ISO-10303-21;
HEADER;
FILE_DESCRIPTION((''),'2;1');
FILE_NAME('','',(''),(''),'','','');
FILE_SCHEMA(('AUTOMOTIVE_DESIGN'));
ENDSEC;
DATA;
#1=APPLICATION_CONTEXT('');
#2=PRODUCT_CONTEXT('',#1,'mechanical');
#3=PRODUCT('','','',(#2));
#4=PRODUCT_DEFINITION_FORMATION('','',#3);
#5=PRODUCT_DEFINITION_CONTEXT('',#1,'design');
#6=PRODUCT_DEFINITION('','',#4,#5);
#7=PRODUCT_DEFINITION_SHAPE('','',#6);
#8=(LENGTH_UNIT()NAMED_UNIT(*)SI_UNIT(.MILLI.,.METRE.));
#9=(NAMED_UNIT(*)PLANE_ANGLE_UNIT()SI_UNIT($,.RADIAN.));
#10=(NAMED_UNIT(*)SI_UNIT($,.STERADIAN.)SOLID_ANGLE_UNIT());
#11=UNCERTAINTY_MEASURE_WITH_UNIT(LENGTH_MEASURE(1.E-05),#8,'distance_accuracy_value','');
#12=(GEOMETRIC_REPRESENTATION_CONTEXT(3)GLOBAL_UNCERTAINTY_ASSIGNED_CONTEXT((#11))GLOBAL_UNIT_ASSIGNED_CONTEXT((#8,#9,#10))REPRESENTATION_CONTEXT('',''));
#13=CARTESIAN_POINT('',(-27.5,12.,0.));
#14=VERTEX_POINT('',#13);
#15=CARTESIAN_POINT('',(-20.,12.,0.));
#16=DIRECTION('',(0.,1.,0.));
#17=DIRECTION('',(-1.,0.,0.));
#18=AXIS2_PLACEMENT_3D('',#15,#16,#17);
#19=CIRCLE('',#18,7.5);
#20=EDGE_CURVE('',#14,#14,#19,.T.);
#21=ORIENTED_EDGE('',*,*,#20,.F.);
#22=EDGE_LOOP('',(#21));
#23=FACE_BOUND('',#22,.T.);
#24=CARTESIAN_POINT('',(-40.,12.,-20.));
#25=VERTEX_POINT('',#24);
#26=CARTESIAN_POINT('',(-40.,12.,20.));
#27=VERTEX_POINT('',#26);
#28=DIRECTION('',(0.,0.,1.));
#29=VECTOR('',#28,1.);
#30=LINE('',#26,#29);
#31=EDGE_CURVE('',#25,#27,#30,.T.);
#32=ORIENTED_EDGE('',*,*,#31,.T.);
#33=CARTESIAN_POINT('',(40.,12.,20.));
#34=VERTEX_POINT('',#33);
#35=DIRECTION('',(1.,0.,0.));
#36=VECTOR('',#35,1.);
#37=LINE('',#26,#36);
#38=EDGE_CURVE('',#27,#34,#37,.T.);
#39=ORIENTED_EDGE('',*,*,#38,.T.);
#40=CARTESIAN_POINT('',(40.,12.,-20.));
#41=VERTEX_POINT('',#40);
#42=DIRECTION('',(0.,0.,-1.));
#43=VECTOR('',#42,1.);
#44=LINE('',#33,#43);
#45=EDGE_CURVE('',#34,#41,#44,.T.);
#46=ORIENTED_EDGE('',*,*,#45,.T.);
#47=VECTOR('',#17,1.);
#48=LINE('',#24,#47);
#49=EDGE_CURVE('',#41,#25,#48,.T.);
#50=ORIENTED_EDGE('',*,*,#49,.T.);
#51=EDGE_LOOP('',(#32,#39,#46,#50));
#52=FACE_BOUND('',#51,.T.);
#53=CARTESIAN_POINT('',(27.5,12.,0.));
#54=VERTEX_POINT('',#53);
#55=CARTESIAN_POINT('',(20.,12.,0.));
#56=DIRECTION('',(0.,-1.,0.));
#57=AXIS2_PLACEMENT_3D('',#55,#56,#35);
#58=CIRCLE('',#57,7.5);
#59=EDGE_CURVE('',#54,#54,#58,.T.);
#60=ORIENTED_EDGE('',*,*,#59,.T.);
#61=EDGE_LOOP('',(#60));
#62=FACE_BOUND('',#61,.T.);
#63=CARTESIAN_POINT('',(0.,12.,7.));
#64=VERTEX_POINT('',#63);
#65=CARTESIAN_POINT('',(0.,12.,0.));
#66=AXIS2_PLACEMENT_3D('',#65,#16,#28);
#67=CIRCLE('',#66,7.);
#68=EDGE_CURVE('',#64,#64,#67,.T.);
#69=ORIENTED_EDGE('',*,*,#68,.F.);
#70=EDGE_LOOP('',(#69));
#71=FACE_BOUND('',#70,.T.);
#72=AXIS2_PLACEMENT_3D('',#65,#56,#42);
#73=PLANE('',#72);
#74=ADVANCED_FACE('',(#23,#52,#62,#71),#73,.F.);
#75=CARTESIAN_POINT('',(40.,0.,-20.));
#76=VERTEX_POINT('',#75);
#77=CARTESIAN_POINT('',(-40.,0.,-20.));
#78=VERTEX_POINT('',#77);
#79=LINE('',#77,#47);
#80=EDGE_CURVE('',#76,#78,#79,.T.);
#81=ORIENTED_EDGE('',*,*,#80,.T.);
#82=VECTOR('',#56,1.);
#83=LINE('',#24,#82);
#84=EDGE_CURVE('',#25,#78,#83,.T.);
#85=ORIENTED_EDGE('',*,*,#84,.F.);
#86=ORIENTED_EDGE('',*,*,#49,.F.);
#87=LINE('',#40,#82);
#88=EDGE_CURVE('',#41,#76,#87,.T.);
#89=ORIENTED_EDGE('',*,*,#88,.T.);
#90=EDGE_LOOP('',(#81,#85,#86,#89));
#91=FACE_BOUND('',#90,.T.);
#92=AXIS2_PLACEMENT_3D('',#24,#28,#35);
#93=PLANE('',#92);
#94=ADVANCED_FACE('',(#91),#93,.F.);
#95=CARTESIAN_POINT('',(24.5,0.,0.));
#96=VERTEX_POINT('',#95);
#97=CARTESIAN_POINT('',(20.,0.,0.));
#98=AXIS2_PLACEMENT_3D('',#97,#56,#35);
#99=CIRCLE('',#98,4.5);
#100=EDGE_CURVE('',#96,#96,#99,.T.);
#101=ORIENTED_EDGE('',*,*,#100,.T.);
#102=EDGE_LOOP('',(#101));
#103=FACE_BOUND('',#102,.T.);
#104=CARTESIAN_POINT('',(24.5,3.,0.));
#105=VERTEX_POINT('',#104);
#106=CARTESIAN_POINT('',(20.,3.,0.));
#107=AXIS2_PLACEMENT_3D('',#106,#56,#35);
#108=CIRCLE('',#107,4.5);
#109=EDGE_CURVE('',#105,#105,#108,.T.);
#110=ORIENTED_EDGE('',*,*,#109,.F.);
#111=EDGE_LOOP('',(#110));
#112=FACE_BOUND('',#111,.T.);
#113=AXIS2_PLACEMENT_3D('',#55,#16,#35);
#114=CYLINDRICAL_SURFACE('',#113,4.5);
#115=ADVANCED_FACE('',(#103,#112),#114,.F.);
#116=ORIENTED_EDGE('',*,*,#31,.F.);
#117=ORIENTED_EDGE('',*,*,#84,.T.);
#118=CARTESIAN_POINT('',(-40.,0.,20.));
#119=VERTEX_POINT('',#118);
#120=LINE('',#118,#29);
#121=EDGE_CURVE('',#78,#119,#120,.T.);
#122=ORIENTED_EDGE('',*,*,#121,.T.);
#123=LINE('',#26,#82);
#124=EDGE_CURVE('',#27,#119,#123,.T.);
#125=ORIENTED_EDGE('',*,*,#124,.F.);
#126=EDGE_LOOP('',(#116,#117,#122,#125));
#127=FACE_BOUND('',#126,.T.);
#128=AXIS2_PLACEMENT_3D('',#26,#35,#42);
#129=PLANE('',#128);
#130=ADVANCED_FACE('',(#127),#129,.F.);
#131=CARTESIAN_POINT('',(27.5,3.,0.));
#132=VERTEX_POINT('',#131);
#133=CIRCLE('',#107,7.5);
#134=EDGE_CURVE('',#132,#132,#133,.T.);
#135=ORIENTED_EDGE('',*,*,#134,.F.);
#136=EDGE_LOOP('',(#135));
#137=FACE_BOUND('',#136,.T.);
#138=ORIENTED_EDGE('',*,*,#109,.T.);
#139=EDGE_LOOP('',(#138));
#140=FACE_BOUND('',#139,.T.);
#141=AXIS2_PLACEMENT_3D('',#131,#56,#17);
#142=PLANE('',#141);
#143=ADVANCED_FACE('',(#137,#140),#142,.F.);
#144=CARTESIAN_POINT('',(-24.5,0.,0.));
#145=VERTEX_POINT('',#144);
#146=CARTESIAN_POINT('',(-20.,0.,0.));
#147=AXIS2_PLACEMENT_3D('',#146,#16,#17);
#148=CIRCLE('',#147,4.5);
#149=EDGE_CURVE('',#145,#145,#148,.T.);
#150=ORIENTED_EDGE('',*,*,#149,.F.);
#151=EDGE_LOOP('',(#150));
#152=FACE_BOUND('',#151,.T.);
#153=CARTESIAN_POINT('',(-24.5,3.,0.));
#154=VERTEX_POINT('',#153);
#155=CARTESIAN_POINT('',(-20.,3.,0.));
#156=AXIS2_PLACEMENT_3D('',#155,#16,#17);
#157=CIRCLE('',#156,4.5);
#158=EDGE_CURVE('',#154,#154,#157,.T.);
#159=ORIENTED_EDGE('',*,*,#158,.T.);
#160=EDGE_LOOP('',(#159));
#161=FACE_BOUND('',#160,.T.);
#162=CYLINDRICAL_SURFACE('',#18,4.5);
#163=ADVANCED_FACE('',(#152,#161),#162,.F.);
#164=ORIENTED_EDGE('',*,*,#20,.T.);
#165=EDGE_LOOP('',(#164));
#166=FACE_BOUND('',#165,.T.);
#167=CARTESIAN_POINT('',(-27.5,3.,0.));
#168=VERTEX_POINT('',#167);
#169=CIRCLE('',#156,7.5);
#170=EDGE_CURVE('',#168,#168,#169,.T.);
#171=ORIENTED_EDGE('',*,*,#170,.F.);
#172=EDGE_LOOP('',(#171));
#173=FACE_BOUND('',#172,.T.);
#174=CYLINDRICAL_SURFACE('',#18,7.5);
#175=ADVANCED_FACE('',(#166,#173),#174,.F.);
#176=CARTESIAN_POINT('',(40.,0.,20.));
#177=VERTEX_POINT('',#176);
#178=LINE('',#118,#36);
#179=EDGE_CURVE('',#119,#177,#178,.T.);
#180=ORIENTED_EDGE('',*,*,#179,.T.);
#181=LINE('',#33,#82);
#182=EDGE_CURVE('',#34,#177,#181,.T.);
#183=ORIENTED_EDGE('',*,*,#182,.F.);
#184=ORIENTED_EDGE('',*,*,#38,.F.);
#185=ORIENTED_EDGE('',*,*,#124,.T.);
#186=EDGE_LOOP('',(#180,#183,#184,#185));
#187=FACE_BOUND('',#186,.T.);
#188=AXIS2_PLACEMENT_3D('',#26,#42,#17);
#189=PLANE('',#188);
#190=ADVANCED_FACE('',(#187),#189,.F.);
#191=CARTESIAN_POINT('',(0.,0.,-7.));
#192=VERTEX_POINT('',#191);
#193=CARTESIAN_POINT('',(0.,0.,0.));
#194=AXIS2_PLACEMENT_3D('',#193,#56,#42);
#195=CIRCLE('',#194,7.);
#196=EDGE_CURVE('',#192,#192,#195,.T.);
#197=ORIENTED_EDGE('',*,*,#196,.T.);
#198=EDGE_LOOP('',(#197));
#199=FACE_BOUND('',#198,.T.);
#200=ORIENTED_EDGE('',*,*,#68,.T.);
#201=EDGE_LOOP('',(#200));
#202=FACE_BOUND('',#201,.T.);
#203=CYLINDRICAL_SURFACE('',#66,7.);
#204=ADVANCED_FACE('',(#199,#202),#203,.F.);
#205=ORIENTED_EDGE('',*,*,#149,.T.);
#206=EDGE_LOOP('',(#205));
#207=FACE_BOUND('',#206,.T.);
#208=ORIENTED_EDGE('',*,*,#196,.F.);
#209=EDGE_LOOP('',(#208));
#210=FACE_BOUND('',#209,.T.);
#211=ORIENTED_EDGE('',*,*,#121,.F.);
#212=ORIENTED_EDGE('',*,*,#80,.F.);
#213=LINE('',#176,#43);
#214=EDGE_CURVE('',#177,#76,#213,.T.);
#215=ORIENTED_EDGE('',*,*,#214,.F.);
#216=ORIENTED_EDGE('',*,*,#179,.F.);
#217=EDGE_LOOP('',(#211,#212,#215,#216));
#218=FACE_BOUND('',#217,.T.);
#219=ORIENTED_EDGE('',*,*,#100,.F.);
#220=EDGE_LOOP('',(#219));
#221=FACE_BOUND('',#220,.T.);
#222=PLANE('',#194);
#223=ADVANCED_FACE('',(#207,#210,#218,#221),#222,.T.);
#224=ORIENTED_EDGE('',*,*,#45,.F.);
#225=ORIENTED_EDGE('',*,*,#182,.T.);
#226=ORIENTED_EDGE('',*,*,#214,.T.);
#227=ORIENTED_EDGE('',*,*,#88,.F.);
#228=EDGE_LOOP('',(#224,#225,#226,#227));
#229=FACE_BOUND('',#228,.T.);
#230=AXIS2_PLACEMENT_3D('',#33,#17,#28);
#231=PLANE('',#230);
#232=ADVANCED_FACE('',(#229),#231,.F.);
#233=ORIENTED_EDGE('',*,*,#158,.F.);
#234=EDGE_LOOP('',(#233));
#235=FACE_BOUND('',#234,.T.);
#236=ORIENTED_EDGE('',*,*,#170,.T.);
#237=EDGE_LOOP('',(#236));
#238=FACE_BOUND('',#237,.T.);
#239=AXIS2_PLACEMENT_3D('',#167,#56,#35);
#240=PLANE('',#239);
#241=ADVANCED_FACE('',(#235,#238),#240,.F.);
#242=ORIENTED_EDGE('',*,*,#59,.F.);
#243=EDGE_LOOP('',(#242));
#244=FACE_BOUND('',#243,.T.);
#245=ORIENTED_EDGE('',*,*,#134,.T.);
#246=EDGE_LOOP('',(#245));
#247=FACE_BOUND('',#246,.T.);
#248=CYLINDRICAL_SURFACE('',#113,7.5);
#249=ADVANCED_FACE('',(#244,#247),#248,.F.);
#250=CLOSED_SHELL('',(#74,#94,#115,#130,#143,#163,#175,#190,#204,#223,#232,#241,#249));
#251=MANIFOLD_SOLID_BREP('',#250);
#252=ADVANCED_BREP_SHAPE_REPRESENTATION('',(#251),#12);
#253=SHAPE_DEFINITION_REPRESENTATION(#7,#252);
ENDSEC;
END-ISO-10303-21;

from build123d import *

# Parameters (mm, degrees)
SKETCH_1_W             = 80
SKETCH_1_H             = 40
EXTRUDE_1_DEPTH        = 12
HOLE_WIZARD_M161_D     = 14
HOLE_WIZARD_M161_DEPTH = 12


with BuildPart() as part:
    # Эскиз1 → Бобышка-Вытянуть1 (new body)
    with BuildSketch(Plane(origin=(0, 0, 0), x_dir=(1, 0, 0), z_dir=(0, 1, 0))):
        Rectangle(SKETCH_1_W, SKETCH_1_H)
    extrude(amount=EXTRUDE_1_DEPTH)

    # Эскиз2 → Вырез-Повернуть1 (revolve, cut)
    with BuildSketch(Plane.XY):
        Polygon((-27.5, 12), (-27.5, 3), (-24.5, 3), (-24.5, 0), (-20, 0), (-20, 12), align=None)
    cut_revolve_1 = revolve(axis=Axis((-20, 12, 0), (0, -1, 0)), mode=Mode.SUBTRACT)

    # Зеркальное отражение1: Вырез-Повернуть1 across plane
    add(cut_revolve_1.mirror(Plane(origin=(0, 0, 0), x_dir=(0, 0, 1), z_dir=(1, 0, 0))), mode=Mode.SUBTRACT)

    # Отверстие обработанное метчиком M161
    with Locations(Plane(origin=(0, 12, 0), x_dir=(1, 0, 0), z_dir=(0, 1, 0))):
        with Locations((0, 0)):
            Hole(HOLE_WIZARD_M161_D / 2, depth=HOLE_WIZARD_M161_DEPTH)


solid = part.part
